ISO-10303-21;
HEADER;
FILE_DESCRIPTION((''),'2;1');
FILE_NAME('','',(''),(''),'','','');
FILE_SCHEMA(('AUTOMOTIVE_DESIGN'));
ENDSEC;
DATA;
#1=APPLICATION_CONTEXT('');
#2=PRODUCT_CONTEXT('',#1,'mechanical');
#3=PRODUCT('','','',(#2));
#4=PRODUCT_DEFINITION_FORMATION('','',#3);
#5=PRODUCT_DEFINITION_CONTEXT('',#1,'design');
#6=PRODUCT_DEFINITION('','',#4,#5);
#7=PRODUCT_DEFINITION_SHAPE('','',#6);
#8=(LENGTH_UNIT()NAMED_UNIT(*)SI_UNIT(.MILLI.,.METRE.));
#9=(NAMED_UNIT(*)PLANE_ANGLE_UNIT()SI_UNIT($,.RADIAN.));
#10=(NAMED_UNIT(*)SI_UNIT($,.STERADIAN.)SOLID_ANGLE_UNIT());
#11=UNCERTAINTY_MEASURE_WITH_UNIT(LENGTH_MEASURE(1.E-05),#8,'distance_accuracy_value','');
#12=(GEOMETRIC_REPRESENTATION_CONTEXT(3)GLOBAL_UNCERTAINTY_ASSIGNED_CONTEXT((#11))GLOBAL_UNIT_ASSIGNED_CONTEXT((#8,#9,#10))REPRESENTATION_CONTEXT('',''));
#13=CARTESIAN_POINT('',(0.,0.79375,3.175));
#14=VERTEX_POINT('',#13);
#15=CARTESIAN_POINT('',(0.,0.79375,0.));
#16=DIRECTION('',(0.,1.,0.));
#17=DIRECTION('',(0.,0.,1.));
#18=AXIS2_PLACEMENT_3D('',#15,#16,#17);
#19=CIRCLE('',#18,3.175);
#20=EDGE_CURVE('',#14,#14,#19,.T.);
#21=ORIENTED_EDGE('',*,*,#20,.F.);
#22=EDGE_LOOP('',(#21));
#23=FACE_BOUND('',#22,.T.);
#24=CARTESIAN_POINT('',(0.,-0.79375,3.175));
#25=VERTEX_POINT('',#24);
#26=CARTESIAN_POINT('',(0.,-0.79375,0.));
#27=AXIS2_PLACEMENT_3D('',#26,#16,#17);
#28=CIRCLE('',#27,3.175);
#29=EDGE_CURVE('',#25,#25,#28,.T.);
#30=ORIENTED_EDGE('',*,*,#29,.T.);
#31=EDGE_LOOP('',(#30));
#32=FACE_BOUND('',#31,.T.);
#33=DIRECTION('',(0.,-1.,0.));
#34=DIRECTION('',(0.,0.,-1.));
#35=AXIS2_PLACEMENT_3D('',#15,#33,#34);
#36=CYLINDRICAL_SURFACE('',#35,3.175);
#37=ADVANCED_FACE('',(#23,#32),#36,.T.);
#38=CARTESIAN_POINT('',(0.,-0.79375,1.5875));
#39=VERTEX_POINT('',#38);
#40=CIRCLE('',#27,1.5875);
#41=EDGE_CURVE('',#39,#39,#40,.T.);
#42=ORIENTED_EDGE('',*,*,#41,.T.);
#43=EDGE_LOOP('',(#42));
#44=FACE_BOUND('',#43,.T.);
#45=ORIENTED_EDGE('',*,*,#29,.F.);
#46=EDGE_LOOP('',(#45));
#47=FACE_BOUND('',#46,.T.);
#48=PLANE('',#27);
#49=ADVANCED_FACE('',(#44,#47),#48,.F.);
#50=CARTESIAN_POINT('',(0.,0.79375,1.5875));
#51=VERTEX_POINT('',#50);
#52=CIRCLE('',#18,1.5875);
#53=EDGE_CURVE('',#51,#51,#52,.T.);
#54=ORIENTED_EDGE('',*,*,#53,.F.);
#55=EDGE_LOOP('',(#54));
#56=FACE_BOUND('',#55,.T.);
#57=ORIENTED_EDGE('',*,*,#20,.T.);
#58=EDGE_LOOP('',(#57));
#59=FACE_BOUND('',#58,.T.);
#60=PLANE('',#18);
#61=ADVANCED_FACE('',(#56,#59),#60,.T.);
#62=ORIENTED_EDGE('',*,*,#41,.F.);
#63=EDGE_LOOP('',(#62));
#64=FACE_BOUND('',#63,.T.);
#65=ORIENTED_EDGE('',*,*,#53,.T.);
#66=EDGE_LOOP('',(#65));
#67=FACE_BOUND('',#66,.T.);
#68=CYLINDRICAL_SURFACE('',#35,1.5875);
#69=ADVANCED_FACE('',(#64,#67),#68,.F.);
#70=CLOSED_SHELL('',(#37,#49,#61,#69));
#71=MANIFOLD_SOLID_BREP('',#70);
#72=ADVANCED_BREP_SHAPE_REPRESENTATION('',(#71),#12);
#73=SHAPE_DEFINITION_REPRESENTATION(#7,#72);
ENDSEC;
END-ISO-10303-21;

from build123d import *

# Parameters (mm, degrees)
SKETCH1_R           = 3.175
SKETCH1_R_2         = 1.5875
BOSS_EXTRUDE1_DEPTH = 0.79375


with BuildPart() as part:
    # Sketch1 → Boss-Extrude1 (new body, symmetric)
    with BuildSketch(Plane(origin=(0, 0, 0), x_dir=(1, 0, 0), z_dir=(0, 1, 0))):
        Circle(SKETCH1_R)
        Circle(SKETCH1_R_2, mode=Mode.SUBTRACT)
    extrude(amount=BOSS_EXTRUDE1_DEPTH, both=True)


solid = part.part
